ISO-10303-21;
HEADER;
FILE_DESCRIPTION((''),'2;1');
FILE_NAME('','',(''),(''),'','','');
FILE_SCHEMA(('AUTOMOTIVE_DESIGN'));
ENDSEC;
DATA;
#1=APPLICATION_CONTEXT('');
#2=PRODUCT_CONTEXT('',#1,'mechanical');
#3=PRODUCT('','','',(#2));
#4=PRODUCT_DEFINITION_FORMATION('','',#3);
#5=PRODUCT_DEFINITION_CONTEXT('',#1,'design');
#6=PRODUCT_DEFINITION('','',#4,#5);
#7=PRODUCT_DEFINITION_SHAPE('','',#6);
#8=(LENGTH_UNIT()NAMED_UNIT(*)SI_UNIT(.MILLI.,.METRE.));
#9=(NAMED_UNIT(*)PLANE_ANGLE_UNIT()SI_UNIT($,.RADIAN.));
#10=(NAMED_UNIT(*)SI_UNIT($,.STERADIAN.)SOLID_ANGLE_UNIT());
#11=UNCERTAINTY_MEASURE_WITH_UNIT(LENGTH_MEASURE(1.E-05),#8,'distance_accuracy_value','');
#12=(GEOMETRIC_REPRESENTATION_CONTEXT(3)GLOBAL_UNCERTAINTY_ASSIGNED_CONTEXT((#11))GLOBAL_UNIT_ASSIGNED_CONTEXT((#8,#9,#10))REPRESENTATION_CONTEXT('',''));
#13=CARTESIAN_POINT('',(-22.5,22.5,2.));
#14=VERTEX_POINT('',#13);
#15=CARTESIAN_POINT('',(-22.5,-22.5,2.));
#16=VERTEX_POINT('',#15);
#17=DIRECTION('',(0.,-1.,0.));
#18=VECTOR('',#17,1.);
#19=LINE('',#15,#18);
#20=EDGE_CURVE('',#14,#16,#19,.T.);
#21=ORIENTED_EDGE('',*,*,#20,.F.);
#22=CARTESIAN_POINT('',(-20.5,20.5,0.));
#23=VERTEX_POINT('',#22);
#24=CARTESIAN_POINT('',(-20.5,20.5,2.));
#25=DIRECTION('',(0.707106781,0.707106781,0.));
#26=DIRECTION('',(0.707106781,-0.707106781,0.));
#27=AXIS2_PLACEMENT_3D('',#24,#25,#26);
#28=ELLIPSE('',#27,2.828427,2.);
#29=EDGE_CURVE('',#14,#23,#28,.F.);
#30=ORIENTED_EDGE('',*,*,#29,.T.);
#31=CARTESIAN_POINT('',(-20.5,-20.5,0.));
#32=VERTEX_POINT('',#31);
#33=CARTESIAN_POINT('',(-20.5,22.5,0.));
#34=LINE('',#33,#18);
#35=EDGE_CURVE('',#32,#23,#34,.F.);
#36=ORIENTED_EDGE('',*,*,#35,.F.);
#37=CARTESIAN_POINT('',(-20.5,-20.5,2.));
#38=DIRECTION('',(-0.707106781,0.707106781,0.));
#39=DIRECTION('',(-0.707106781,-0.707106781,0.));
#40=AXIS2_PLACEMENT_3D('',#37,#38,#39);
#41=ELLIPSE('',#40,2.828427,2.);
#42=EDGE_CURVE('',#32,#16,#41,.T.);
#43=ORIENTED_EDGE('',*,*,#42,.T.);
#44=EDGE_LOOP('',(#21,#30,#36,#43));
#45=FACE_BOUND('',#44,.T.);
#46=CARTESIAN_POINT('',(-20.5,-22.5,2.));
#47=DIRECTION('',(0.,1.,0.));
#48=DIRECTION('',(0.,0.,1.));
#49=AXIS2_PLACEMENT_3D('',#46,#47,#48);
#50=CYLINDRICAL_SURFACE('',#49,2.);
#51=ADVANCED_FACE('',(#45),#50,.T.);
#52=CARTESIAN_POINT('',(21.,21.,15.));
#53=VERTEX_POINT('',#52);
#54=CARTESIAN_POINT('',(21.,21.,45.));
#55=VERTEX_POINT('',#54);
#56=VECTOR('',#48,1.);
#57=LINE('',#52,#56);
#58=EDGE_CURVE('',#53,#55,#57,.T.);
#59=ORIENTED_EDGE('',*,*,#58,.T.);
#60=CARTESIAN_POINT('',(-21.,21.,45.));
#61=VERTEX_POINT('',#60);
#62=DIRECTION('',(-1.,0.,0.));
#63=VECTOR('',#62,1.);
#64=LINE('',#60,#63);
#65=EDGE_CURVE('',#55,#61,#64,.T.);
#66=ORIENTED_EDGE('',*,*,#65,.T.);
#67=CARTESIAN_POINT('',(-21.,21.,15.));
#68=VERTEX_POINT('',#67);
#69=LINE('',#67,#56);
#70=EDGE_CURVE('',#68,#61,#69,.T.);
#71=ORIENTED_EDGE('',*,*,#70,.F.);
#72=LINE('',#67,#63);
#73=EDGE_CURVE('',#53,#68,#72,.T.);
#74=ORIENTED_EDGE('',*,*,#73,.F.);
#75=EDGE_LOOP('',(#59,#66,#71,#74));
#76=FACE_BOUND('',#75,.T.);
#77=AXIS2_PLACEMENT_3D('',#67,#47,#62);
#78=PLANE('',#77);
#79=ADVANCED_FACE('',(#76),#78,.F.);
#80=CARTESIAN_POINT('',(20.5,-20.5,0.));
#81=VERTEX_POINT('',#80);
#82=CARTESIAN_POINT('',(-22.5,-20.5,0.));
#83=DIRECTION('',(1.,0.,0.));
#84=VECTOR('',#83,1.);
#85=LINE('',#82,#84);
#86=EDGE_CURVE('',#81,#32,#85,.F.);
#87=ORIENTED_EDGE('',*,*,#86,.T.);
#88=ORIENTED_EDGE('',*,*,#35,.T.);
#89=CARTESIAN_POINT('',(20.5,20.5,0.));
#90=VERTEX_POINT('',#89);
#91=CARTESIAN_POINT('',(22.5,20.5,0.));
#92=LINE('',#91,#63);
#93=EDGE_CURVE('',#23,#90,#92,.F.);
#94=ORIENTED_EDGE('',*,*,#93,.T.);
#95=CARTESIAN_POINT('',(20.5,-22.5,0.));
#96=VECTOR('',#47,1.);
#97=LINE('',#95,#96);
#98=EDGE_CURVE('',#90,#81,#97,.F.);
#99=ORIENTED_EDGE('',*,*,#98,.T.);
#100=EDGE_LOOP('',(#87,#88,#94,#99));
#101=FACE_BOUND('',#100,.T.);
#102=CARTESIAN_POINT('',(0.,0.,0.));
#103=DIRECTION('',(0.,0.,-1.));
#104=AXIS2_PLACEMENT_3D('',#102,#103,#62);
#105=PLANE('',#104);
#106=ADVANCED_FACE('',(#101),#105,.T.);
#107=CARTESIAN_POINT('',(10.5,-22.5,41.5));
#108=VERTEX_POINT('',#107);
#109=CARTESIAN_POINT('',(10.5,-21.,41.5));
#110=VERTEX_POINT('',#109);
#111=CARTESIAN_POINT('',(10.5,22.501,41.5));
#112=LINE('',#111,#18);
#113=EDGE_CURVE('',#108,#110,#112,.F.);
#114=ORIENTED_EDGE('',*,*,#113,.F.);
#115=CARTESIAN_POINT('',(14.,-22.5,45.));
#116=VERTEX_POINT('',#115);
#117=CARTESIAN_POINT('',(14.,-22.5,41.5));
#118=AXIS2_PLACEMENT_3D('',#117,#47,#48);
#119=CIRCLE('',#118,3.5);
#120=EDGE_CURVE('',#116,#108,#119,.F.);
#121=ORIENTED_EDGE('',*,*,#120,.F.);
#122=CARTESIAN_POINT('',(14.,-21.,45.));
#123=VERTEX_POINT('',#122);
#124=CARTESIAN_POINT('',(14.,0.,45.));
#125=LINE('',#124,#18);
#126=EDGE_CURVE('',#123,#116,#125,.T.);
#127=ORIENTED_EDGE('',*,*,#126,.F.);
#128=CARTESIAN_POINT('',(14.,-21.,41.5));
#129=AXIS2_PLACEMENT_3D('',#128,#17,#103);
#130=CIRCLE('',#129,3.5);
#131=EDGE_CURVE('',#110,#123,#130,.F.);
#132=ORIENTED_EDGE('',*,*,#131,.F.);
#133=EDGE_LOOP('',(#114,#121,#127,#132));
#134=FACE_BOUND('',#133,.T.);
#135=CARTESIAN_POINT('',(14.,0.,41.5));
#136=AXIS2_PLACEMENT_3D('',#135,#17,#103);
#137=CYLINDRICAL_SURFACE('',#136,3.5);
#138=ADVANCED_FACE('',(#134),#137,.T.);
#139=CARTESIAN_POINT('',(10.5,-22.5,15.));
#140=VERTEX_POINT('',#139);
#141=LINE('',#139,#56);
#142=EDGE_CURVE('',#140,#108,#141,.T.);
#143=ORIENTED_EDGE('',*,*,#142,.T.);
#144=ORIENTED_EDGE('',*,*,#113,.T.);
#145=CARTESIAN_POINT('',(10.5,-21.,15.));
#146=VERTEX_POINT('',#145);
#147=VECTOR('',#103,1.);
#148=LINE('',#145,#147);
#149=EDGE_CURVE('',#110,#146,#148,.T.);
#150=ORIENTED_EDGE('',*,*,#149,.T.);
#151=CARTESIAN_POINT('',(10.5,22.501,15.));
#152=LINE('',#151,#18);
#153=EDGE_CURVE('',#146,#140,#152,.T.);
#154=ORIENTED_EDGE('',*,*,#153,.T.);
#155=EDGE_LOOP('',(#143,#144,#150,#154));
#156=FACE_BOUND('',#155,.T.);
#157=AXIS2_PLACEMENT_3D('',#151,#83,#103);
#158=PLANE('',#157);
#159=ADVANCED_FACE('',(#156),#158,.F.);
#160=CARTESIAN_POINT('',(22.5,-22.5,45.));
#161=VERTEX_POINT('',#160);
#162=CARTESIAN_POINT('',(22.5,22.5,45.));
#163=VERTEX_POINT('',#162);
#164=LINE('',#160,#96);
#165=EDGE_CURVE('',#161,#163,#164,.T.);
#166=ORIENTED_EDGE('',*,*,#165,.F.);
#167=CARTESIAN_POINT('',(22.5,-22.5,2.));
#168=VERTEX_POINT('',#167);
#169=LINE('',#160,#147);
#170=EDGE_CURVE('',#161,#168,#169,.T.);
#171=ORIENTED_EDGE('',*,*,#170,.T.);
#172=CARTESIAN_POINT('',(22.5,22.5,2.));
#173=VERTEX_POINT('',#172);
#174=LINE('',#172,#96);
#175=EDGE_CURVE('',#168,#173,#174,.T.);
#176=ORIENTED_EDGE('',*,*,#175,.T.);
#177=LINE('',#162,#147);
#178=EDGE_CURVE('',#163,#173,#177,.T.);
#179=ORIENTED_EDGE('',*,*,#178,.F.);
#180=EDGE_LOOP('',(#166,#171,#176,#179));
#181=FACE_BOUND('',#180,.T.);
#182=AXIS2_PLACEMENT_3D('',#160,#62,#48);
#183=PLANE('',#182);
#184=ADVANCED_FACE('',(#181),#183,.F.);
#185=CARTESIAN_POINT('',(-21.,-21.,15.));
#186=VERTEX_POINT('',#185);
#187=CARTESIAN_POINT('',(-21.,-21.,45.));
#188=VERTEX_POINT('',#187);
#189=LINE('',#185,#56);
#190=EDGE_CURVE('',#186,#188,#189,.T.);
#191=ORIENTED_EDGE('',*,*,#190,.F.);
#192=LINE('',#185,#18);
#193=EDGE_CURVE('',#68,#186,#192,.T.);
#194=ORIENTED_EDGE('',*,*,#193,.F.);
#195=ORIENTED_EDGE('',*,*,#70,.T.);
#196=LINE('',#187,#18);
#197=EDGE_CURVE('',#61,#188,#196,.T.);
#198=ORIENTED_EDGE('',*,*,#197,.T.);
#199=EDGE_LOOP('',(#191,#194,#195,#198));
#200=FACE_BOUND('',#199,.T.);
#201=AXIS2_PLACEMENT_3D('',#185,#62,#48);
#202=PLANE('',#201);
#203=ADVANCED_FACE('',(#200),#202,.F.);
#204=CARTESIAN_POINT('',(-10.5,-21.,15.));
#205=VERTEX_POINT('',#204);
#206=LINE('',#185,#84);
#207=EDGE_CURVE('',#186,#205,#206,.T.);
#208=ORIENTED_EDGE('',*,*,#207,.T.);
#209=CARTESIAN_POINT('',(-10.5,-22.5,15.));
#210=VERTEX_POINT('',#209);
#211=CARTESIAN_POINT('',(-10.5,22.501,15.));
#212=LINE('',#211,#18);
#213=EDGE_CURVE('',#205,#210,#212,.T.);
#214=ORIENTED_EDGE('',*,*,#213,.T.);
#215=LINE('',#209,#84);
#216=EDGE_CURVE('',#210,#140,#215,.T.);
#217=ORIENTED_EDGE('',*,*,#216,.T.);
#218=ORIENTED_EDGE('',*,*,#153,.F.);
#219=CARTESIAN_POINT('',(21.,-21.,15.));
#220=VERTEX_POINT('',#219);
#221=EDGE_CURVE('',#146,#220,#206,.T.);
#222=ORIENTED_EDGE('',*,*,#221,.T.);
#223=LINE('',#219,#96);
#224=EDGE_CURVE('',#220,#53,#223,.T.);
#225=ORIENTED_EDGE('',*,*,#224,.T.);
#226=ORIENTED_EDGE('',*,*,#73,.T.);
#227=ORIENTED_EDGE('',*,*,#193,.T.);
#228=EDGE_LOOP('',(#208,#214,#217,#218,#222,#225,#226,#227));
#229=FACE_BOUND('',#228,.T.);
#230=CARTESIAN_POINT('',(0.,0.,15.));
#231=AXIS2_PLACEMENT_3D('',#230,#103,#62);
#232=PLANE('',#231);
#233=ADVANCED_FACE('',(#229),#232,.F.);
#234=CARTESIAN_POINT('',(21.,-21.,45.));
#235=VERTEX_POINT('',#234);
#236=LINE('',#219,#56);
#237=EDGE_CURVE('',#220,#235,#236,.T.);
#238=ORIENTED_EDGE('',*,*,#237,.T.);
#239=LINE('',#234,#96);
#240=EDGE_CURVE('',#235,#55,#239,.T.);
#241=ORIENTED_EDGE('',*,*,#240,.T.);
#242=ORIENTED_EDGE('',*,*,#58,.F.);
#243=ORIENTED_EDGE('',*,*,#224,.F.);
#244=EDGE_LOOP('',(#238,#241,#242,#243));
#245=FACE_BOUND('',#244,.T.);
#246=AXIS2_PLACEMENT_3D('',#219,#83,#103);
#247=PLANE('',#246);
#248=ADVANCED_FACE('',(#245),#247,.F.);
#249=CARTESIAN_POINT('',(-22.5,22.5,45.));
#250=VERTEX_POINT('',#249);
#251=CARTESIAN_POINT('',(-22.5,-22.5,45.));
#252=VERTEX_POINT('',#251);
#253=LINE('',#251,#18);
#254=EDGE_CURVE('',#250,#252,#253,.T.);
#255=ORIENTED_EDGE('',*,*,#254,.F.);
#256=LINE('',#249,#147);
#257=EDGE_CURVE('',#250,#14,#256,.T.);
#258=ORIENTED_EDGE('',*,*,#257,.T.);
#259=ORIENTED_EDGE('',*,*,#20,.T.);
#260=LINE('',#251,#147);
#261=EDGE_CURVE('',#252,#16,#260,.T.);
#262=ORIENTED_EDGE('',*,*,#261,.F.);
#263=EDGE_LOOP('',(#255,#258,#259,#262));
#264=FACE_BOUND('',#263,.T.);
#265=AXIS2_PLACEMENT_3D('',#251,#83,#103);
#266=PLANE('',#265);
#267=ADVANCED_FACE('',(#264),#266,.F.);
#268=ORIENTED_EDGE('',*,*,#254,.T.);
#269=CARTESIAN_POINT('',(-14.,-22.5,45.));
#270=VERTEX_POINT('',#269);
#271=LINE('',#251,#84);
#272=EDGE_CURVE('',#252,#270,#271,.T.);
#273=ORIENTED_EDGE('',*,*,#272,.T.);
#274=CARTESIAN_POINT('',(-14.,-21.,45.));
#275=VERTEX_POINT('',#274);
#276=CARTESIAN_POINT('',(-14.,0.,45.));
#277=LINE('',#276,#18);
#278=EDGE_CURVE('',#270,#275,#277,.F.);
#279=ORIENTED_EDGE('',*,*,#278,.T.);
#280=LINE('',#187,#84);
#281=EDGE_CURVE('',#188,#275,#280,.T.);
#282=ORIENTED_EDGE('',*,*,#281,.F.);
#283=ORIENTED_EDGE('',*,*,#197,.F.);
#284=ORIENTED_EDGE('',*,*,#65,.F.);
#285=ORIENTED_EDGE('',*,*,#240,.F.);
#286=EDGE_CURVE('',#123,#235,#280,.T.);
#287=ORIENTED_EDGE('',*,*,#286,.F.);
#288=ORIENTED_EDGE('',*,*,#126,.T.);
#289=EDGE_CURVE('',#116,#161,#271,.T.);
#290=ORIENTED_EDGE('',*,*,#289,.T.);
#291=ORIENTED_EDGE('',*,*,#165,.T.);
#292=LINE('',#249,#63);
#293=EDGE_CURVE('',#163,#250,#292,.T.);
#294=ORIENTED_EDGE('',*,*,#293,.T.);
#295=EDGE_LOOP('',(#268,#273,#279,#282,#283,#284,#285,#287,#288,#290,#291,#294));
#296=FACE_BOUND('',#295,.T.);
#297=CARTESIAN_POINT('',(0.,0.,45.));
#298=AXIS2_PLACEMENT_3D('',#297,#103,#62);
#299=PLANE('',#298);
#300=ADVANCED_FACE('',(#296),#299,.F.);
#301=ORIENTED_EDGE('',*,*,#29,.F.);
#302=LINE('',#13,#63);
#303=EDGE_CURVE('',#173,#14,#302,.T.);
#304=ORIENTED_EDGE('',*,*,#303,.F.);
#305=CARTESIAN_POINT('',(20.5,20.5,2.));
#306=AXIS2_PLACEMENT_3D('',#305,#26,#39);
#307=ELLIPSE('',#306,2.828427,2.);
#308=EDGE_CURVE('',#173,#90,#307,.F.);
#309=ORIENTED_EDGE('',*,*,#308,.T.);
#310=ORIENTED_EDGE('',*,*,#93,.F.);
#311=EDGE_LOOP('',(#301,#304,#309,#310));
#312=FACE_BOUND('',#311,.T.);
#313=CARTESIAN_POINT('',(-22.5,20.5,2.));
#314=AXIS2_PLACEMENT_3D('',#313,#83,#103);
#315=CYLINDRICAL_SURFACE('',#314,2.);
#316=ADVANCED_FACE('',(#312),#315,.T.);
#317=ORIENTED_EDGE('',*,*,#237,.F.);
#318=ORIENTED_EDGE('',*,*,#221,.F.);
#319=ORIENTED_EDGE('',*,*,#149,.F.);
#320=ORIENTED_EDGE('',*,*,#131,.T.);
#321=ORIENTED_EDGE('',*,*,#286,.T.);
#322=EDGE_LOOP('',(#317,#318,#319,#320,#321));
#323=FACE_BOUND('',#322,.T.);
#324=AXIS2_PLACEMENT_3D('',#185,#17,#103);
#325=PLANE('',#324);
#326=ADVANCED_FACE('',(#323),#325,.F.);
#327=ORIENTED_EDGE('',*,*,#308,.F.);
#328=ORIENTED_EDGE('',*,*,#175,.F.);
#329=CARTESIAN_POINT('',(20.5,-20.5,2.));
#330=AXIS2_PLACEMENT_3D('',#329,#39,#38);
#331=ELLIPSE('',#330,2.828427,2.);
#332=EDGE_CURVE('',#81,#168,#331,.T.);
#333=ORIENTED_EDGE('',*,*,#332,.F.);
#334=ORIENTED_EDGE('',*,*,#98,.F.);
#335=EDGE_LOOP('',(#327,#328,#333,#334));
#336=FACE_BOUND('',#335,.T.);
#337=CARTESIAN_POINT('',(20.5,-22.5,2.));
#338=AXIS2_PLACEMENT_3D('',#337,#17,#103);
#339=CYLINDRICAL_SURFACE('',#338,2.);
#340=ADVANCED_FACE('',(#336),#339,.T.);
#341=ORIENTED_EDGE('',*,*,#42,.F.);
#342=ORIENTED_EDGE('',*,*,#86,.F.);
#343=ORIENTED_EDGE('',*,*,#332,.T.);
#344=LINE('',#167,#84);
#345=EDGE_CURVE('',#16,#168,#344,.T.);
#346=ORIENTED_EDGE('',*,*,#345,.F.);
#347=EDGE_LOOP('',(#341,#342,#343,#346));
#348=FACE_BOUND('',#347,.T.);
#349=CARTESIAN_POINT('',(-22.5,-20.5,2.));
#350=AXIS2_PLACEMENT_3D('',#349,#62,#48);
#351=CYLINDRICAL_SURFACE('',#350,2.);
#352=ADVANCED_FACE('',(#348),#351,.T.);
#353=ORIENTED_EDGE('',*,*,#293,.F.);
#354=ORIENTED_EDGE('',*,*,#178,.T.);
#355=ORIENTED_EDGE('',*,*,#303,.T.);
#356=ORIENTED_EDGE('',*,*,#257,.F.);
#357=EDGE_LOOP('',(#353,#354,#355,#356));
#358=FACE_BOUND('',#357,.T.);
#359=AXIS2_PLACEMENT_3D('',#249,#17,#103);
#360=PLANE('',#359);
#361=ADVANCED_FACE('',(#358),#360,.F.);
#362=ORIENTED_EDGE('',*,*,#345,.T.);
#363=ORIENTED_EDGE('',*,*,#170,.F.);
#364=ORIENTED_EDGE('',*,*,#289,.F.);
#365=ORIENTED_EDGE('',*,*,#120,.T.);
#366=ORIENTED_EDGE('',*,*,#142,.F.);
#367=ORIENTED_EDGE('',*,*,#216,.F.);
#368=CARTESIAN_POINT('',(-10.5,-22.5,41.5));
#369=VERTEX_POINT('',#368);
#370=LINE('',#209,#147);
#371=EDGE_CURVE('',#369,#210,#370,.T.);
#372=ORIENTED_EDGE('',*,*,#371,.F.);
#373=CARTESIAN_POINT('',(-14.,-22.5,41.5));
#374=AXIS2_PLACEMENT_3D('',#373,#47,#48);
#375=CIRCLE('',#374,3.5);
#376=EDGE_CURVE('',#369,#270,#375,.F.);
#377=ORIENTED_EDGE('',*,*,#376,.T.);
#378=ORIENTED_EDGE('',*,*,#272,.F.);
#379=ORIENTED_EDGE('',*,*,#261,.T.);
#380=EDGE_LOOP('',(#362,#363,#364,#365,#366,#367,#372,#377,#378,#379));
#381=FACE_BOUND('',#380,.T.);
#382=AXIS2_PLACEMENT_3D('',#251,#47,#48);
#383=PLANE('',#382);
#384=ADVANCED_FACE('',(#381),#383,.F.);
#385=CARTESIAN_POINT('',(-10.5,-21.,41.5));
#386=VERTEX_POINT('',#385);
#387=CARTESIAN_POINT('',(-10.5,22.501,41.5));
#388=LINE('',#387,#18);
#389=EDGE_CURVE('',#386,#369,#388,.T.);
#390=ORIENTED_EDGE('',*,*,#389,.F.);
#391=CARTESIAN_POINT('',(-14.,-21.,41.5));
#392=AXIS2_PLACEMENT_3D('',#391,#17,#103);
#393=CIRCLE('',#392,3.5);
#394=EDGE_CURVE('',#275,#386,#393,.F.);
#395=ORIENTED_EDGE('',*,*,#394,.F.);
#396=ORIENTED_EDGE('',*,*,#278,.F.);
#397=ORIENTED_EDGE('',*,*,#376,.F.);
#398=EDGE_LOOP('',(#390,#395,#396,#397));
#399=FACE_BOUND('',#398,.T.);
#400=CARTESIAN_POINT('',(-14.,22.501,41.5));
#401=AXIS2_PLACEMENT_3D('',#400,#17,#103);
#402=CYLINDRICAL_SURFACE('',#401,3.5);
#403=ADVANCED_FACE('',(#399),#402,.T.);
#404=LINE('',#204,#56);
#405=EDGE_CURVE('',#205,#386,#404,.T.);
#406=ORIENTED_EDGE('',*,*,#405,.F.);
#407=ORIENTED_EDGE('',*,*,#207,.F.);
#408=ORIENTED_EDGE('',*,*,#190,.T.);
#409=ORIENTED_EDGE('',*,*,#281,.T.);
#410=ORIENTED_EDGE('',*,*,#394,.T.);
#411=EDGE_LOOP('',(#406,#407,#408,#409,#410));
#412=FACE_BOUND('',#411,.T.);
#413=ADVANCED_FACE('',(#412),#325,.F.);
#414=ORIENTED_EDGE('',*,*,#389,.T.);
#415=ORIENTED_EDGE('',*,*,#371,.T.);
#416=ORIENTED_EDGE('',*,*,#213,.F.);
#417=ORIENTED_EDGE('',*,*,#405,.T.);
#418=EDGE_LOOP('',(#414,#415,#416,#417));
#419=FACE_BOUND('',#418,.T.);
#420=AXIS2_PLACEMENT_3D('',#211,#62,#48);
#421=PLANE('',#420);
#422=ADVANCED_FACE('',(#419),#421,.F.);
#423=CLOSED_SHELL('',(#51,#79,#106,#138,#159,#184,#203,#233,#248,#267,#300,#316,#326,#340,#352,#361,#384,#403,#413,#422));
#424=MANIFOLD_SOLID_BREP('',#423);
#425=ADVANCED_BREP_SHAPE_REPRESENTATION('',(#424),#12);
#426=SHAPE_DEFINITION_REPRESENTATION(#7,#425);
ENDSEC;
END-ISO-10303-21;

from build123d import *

# Parameters (mm, degrees)
SKETCH_2_W          = 45
SKETCH_2_H          = 45
EXTRUDE_1_DEPTH     = 45
SKETCH_3_W          = 42
SKETCH_3_H          = 42
CUT_EXTRUDE_1_DEPTH = 30
CUT_EXTRUDE_2_REACH = 69.5
SKETCH_4_W          = 21
SKETCH_4_H          = 30
FILLET_2_R          = 3.5
FILLET_3_R          = 2


with BuildPart() as part:
    # 草图2 → 凸台-拉伸1 (new body)
    with BuildSketch(Plane.XY):
        Rectangle(SKETCH_2_W, SKETCH_2_H)
    extrude(amount=EXTRUDE_1_DEPTH)

    # 草图3 → 切除-拉伸1 (cut)
    with BuildSketch(Plane.XY.offset(45)):
        Rectangle(SKETCH_3_W, SKETCH_3_H)
    extrude(amount=-CUT_EXTRUDE_1_DEPTH, mode=Mode.SUBTRACT)

    # 草图4 → 切除-拉伸2 (cut, up to next)
    with BuildSketch(Plane.XZ.offset(22.5), mode=Mode.PRIVATE) as cut_extrude_2_sk1:
        with Locations((0, 30)):
            Rectangle(SKETCH_4_W, SKETCH_4_H)
    cut_extrude_2_tool1 = extrude(cut_extrude_2_sk1.sketch, amount=-CUT_EXTRUDE_2_REACH, mode=Mode.PRIVATE) & part.part
    add(cut_extrude_2_tool1.solids().sort_by_distance((0, -22.5, 30))[0], mode=Mode.SUBTRACT)

    # 圆角2
    fillet_2_edges = [part.edges().sort_by_distance(p)[0] for p in [
        (10.5, -21.75, 45),
        (-10.5, -21.75, 45),
    ]]
    fillet(fillet_2_edges, radius=FILLET_2_R)

    # 圆角3
    fillet_3_edges = [part.edges().sort_by_distance(p)[0] for p in [
        (0, -22.5, 0),
        (-22.5, 0, 0),
        (0, 22.5, 0),
        (22.5, 0, 0),
    ]]
    fillet(fillet_3_edges, radius=FILLET_3_R)


solid = part.part
